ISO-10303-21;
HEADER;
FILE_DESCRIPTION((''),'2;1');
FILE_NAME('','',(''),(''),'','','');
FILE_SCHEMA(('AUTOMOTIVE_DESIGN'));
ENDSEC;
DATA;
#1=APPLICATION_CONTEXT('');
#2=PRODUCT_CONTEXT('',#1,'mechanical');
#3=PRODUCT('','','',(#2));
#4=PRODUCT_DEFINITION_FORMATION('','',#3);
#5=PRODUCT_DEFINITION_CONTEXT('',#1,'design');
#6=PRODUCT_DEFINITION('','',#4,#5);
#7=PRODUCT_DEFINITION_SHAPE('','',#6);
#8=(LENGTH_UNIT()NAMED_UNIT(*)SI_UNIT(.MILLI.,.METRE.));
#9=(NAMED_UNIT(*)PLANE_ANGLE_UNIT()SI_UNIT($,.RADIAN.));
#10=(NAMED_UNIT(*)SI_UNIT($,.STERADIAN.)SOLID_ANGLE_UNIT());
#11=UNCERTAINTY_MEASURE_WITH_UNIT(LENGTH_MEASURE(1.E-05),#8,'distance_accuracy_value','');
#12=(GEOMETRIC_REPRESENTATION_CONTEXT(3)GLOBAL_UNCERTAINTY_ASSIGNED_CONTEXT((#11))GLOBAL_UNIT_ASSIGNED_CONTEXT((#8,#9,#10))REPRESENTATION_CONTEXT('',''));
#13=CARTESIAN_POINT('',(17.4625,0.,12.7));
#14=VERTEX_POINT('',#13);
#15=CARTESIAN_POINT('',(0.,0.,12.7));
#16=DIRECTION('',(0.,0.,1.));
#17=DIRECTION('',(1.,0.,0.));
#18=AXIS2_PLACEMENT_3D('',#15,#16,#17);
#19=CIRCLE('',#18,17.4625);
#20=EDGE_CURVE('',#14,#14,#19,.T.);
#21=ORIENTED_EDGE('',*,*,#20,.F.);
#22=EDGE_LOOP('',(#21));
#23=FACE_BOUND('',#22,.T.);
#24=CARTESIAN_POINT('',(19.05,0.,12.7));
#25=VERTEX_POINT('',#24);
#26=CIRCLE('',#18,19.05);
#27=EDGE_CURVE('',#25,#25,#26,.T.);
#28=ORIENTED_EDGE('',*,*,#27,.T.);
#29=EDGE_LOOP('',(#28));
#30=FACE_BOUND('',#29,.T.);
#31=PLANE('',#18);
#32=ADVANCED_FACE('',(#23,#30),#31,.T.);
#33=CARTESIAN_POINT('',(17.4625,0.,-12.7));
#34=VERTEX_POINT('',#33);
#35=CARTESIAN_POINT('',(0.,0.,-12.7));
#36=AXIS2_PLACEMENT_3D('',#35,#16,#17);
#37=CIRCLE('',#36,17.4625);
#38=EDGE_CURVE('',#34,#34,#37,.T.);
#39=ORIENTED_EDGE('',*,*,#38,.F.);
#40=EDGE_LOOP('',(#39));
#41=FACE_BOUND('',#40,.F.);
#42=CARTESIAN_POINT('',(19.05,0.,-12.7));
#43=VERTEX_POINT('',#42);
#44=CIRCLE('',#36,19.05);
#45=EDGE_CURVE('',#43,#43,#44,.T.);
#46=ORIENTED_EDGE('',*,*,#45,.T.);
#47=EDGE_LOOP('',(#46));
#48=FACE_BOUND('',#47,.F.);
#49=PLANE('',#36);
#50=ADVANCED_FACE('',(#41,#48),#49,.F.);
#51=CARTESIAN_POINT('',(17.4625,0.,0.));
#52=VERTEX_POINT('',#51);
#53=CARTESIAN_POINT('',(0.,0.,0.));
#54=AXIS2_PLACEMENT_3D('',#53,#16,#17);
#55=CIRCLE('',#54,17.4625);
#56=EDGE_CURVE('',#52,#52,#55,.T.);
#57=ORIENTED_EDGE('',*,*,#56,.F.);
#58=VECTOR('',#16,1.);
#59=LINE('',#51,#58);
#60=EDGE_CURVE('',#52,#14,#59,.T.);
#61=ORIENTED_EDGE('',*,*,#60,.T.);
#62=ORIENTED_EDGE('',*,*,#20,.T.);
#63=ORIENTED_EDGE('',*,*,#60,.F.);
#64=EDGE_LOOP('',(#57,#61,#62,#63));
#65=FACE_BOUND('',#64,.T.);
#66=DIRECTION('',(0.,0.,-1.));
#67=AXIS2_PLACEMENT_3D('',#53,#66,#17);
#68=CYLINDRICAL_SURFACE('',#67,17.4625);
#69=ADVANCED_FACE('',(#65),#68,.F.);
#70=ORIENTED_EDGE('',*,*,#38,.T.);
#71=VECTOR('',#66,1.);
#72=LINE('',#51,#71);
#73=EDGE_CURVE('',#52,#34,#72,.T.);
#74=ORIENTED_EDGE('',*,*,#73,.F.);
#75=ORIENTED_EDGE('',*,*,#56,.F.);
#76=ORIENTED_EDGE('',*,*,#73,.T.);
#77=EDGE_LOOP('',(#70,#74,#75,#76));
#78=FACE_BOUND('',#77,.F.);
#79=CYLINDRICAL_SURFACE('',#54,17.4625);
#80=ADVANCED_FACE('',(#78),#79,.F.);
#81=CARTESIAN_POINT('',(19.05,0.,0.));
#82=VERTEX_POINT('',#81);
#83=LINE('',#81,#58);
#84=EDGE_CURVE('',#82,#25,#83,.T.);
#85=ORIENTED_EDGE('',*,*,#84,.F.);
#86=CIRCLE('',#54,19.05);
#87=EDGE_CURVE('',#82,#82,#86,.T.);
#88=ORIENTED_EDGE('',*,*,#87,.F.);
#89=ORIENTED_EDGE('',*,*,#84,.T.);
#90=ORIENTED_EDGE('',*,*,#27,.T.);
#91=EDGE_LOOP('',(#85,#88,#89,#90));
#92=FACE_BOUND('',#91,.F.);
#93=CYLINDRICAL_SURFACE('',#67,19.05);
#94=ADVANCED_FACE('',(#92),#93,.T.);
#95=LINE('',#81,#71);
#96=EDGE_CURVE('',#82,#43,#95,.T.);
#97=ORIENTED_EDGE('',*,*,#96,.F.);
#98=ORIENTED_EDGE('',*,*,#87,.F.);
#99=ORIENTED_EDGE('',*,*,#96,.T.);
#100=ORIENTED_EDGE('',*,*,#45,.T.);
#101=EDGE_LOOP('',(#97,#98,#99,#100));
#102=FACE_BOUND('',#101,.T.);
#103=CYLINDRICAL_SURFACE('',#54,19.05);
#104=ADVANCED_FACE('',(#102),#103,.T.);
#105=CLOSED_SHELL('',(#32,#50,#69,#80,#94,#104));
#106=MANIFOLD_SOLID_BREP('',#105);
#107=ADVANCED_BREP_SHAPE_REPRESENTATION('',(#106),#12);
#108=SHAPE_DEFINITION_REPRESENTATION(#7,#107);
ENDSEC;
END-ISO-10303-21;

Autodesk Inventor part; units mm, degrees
ref_plane "YZ Plane" through (0, 0, 0) normal (1, 0, 0) x (0, 1, 0)
ref_plane "XZ Plane" through (0, 0, 0) normal (0, 1, 0) x (-1, 0, 0)
ref_plane "XY Plane" through (0, 0, 0) normal (0, 0, 1) x (1, 0, 0)
sketch "Sketch1" plane through (0, 0, 0) normal (0, 0, 1) x (1, 0, 0)
  circle A0 centre (0, 0) radius 19.05
  circle A1 centre (0, 0) radius 17.4625
  dimension "d0" = 38.1
  dimension "d1" = 1.5875
extrude "Extrusion1" add sketch "Sketch1" along normal mid plane 25.4
properties part number "roller"
